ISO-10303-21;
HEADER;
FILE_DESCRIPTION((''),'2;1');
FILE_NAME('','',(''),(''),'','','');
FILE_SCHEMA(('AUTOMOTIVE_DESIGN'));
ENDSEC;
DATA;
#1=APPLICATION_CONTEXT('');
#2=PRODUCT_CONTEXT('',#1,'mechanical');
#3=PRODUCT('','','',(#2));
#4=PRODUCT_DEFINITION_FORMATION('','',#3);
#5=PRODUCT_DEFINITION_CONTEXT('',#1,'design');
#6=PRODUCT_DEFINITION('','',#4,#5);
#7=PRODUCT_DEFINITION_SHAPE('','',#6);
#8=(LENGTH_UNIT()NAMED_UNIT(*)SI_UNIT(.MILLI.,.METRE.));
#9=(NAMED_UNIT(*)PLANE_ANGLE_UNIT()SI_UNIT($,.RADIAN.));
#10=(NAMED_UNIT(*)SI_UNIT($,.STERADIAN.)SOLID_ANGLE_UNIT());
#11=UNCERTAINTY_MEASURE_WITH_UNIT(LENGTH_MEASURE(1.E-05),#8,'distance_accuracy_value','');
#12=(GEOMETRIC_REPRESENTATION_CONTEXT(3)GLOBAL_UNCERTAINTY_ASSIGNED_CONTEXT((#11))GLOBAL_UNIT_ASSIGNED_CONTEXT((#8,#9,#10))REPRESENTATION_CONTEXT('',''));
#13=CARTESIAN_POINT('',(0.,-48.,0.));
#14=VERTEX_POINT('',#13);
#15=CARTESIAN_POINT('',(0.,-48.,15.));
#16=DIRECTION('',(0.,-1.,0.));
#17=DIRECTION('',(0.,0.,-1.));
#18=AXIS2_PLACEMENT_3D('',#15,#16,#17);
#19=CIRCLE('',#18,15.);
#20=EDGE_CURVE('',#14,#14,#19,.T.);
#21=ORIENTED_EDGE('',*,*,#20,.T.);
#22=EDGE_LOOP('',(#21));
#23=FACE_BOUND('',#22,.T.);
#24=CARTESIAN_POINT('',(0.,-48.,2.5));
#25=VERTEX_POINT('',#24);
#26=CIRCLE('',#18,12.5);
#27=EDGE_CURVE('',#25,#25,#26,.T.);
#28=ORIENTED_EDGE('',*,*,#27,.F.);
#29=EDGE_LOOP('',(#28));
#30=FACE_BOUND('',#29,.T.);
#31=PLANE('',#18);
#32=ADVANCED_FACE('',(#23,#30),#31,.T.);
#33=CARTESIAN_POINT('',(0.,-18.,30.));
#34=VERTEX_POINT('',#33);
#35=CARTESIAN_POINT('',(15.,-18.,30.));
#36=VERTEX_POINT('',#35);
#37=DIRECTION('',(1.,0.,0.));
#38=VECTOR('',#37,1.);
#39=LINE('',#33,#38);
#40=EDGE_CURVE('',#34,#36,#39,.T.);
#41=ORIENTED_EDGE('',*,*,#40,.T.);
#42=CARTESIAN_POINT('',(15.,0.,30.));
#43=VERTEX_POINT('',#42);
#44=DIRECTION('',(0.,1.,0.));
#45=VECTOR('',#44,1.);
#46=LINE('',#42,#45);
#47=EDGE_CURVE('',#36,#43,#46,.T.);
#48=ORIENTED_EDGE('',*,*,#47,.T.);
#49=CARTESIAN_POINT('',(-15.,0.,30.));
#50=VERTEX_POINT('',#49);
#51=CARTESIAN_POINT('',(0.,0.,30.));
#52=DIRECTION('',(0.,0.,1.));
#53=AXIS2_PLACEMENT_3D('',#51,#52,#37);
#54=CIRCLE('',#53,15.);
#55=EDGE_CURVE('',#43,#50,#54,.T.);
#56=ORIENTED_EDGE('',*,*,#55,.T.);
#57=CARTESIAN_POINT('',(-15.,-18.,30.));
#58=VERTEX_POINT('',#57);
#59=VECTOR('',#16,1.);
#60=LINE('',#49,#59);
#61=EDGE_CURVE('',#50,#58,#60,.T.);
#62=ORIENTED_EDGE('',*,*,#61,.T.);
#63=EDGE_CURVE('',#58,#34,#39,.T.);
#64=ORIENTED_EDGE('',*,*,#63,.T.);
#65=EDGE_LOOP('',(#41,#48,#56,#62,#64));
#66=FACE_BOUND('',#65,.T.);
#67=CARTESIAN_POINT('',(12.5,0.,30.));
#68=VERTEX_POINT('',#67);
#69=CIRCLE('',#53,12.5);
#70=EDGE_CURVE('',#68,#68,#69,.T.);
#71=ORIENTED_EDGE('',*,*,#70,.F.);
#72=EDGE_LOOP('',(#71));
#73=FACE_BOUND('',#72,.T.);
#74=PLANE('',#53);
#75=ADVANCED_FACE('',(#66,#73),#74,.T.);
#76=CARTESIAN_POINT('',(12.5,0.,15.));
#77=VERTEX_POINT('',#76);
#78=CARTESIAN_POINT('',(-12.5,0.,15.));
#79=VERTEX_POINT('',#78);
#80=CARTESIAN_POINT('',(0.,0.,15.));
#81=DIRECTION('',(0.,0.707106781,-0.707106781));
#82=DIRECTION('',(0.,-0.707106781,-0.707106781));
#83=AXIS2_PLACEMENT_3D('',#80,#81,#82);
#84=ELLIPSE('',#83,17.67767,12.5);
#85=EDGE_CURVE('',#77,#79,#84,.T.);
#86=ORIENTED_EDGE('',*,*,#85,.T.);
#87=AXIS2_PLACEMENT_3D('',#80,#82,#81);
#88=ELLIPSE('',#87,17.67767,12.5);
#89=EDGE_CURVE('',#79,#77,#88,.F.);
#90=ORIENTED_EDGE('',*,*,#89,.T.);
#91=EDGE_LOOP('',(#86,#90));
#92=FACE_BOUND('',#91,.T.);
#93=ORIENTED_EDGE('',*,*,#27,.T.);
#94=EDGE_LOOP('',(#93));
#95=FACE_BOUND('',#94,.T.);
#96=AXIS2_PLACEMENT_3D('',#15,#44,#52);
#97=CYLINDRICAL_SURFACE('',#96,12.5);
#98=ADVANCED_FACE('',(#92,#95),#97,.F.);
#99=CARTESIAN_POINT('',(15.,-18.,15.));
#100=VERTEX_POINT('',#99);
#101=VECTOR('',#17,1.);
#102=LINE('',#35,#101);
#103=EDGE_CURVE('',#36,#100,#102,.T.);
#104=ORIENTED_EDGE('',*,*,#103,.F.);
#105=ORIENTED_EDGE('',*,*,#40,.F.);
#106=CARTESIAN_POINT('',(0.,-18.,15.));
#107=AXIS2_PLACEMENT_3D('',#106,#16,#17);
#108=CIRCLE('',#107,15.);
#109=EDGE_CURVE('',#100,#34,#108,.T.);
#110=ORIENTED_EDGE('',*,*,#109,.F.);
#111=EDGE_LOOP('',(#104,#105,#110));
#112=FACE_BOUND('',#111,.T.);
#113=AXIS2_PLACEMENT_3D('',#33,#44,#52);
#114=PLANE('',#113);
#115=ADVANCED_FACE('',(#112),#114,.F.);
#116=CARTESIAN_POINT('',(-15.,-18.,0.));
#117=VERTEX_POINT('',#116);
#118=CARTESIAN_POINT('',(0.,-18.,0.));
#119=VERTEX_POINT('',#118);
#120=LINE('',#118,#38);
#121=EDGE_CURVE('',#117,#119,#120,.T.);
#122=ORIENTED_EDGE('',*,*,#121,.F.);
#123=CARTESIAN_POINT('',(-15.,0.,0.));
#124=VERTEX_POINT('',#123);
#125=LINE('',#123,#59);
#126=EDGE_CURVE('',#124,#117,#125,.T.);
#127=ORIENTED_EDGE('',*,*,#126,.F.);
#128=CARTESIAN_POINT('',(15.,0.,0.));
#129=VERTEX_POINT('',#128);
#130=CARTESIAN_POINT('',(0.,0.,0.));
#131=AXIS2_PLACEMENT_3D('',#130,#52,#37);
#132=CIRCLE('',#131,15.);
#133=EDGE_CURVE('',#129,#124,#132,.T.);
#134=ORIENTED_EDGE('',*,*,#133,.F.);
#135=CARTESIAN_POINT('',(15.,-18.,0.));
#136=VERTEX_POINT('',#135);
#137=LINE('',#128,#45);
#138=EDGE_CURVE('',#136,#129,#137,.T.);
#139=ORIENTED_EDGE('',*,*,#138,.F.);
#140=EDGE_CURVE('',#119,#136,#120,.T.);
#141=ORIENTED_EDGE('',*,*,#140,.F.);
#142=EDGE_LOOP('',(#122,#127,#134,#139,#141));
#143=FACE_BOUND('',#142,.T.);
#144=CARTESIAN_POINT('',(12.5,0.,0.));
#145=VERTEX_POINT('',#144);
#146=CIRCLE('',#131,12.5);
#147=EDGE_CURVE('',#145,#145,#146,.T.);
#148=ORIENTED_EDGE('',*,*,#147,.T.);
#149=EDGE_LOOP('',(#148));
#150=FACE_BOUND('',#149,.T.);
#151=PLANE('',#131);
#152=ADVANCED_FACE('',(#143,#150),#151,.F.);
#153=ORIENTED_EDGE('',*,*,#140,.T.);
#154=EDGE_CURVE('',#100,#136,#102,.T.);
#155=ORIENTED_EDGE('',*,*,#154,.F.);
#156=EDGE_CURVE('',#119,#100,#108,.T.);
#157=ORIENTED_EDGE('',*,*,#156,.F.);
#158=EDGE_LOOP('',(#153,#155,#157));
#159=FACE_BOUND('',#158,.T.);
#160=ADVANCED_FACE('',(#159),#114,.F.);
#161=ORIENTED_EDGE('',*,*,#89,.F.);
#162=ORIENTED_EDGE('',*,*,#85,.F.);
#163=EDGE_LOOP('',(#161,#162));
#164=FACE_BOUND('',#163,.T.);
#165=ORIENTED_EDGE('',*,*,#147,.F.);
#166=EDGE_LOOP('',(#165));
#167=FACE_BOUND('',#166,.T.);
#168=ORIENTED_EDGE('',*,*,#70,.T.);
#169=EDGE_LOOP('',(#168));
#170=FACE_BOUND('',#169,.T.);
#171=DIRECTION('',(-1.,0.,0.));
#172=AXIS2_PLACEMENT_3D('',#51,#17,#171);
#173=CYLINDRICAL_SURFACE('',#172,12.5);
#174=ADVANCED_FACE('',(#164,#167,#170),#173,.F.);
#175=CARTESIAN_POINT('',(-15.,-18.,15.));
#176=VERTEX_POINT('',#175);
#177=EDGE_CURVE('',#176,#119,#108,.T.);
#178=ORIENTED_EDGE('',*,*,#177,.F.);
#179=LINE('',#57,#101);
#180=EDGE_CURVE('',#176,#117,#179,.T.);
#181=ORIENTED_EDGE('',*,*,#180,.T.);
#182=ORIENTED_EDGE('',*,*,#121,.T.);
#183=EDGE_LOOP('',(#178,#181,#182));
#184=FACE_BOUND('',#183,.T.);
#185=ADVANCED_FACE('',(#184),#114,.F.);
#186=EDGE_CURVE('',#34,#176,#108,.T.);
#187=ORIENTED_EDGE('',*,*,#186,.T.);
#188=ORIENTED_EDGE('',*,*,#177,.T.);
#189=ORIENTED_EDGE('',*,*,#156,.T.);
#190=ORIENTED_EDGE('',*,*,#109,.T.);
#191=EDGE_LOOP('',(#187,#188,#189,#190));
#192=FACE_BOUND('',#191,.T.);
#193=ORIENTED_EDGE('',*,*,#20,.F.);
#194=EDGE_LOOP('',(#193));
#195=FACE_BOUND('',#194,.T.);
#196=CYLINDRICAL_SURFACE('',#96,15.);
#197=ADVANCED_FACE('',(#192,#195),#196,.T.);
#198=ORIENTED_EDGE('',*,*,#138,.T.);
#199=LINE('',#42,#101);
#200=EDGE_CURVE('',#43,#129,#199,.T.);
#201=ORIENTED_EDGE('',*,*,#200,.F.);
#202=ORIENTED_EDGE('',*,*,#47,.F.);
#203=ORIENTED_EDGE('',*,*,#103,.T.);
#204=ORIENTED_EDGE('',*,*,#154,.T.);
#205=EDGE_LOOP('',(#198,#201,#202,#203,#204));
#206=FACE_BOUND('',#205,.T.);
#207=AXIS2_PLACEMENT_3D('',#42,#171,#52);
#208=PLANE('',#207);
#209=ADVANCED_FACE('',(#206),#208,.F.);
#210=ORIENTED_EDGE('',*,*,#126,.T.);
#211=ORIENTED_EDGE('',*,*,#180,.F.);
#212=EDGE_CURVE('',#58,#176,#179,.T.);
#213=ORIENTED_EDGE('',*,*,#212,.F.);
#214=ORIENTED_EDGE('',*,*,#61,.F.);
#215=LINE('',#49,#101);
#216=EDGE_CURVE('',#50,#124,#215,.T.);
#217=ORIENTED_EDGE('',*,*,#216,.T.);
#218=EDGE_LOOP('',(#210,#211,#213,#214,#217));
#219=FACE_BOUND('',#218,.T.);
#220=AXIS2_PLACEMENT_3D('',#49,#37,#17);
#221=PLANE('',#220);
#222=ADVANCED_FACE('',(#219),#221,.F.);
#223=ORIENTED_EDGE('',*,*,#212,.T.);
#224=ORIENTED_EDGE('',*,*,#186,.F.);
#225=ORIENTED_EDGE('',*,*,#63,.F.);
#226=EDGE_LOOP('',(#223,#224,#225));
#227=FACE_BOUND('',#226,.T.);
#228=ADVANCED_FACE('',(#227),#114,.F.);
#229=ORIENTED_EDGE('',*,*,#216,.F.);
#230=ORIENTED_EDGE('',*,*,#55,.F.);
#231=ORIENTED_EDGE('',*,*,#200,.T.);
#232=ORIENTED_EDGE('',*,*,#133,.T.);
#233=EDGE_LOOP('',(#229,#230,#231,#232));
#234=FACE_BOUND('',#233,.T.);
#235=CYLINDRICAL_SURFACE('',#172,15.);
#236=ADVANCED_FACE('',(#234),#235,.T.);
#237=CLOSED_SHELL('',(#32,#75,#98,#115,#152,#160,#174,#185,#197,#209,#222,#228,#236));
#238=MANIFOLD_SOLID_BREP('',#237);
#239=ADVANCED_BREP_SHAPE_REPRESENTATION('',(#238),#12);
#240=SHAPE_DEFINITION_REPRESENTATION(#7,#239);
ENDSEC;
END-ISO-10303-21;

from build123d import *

# Parameters (mm, degrees)
SKETCH1_R           = 15
SKETCH1_R_2         = 12.5
BOSS_EXTRUDE2_DEPTH = 30
SKETCH3_R           = 15
SKETCH3_R_2         = 12.5
BOSS_EXTRUDE3_DEPTH = 30
SKETCH4_R           = 12.5
CUT_EXTRUDE1_DEPTH  = 18


with BuildPart() as part:
    # Sketch1 → Boss-Extrude2 (new body)
    with BuildSketch(Plane.XY):
        with BuildLine():
            ThreePointArc((15, 0), (0, -15), (-15, 0))
            Line((-15, 0), (-15, -15))
            Line((-15, -15), (-15, -18))
            Line((-15, -18), (15, -18))
            Line((15, -18), (15, 0))
        make_face()
        Circle(SKETCH1_R)
        Circle(SKETCH1_R_2, mode=Mode.SUBTRACT)
    extrude(amount=BOSS_EXTRUDE2_DEPTH)

    # Sketch3 → Boss-Extrude3 (add)
    with BuildSketch(Plane.XZ.offset(18)):
        with Locations((0, 15)):
            Circle(SKETCH3_R)
        with Locations((0, 15)):
            Circle(SKETCH3_R_2, mode=Mode.SUBTRACT)
    extrude(amount=BOSS_EXTRUDE3_DEPTH)

    # Sketch4 → Cut-Extrude1 (cut)
    with BuildSketch(Plane.XZ.offset(18)):
        with Locations((0, 15)):
            Circle(SKETCH4_R)
    extrude(amount=-CUT_EXTRUDE1_DEPTH, mode=Mode.SUBTRACT)


solid = part.part
